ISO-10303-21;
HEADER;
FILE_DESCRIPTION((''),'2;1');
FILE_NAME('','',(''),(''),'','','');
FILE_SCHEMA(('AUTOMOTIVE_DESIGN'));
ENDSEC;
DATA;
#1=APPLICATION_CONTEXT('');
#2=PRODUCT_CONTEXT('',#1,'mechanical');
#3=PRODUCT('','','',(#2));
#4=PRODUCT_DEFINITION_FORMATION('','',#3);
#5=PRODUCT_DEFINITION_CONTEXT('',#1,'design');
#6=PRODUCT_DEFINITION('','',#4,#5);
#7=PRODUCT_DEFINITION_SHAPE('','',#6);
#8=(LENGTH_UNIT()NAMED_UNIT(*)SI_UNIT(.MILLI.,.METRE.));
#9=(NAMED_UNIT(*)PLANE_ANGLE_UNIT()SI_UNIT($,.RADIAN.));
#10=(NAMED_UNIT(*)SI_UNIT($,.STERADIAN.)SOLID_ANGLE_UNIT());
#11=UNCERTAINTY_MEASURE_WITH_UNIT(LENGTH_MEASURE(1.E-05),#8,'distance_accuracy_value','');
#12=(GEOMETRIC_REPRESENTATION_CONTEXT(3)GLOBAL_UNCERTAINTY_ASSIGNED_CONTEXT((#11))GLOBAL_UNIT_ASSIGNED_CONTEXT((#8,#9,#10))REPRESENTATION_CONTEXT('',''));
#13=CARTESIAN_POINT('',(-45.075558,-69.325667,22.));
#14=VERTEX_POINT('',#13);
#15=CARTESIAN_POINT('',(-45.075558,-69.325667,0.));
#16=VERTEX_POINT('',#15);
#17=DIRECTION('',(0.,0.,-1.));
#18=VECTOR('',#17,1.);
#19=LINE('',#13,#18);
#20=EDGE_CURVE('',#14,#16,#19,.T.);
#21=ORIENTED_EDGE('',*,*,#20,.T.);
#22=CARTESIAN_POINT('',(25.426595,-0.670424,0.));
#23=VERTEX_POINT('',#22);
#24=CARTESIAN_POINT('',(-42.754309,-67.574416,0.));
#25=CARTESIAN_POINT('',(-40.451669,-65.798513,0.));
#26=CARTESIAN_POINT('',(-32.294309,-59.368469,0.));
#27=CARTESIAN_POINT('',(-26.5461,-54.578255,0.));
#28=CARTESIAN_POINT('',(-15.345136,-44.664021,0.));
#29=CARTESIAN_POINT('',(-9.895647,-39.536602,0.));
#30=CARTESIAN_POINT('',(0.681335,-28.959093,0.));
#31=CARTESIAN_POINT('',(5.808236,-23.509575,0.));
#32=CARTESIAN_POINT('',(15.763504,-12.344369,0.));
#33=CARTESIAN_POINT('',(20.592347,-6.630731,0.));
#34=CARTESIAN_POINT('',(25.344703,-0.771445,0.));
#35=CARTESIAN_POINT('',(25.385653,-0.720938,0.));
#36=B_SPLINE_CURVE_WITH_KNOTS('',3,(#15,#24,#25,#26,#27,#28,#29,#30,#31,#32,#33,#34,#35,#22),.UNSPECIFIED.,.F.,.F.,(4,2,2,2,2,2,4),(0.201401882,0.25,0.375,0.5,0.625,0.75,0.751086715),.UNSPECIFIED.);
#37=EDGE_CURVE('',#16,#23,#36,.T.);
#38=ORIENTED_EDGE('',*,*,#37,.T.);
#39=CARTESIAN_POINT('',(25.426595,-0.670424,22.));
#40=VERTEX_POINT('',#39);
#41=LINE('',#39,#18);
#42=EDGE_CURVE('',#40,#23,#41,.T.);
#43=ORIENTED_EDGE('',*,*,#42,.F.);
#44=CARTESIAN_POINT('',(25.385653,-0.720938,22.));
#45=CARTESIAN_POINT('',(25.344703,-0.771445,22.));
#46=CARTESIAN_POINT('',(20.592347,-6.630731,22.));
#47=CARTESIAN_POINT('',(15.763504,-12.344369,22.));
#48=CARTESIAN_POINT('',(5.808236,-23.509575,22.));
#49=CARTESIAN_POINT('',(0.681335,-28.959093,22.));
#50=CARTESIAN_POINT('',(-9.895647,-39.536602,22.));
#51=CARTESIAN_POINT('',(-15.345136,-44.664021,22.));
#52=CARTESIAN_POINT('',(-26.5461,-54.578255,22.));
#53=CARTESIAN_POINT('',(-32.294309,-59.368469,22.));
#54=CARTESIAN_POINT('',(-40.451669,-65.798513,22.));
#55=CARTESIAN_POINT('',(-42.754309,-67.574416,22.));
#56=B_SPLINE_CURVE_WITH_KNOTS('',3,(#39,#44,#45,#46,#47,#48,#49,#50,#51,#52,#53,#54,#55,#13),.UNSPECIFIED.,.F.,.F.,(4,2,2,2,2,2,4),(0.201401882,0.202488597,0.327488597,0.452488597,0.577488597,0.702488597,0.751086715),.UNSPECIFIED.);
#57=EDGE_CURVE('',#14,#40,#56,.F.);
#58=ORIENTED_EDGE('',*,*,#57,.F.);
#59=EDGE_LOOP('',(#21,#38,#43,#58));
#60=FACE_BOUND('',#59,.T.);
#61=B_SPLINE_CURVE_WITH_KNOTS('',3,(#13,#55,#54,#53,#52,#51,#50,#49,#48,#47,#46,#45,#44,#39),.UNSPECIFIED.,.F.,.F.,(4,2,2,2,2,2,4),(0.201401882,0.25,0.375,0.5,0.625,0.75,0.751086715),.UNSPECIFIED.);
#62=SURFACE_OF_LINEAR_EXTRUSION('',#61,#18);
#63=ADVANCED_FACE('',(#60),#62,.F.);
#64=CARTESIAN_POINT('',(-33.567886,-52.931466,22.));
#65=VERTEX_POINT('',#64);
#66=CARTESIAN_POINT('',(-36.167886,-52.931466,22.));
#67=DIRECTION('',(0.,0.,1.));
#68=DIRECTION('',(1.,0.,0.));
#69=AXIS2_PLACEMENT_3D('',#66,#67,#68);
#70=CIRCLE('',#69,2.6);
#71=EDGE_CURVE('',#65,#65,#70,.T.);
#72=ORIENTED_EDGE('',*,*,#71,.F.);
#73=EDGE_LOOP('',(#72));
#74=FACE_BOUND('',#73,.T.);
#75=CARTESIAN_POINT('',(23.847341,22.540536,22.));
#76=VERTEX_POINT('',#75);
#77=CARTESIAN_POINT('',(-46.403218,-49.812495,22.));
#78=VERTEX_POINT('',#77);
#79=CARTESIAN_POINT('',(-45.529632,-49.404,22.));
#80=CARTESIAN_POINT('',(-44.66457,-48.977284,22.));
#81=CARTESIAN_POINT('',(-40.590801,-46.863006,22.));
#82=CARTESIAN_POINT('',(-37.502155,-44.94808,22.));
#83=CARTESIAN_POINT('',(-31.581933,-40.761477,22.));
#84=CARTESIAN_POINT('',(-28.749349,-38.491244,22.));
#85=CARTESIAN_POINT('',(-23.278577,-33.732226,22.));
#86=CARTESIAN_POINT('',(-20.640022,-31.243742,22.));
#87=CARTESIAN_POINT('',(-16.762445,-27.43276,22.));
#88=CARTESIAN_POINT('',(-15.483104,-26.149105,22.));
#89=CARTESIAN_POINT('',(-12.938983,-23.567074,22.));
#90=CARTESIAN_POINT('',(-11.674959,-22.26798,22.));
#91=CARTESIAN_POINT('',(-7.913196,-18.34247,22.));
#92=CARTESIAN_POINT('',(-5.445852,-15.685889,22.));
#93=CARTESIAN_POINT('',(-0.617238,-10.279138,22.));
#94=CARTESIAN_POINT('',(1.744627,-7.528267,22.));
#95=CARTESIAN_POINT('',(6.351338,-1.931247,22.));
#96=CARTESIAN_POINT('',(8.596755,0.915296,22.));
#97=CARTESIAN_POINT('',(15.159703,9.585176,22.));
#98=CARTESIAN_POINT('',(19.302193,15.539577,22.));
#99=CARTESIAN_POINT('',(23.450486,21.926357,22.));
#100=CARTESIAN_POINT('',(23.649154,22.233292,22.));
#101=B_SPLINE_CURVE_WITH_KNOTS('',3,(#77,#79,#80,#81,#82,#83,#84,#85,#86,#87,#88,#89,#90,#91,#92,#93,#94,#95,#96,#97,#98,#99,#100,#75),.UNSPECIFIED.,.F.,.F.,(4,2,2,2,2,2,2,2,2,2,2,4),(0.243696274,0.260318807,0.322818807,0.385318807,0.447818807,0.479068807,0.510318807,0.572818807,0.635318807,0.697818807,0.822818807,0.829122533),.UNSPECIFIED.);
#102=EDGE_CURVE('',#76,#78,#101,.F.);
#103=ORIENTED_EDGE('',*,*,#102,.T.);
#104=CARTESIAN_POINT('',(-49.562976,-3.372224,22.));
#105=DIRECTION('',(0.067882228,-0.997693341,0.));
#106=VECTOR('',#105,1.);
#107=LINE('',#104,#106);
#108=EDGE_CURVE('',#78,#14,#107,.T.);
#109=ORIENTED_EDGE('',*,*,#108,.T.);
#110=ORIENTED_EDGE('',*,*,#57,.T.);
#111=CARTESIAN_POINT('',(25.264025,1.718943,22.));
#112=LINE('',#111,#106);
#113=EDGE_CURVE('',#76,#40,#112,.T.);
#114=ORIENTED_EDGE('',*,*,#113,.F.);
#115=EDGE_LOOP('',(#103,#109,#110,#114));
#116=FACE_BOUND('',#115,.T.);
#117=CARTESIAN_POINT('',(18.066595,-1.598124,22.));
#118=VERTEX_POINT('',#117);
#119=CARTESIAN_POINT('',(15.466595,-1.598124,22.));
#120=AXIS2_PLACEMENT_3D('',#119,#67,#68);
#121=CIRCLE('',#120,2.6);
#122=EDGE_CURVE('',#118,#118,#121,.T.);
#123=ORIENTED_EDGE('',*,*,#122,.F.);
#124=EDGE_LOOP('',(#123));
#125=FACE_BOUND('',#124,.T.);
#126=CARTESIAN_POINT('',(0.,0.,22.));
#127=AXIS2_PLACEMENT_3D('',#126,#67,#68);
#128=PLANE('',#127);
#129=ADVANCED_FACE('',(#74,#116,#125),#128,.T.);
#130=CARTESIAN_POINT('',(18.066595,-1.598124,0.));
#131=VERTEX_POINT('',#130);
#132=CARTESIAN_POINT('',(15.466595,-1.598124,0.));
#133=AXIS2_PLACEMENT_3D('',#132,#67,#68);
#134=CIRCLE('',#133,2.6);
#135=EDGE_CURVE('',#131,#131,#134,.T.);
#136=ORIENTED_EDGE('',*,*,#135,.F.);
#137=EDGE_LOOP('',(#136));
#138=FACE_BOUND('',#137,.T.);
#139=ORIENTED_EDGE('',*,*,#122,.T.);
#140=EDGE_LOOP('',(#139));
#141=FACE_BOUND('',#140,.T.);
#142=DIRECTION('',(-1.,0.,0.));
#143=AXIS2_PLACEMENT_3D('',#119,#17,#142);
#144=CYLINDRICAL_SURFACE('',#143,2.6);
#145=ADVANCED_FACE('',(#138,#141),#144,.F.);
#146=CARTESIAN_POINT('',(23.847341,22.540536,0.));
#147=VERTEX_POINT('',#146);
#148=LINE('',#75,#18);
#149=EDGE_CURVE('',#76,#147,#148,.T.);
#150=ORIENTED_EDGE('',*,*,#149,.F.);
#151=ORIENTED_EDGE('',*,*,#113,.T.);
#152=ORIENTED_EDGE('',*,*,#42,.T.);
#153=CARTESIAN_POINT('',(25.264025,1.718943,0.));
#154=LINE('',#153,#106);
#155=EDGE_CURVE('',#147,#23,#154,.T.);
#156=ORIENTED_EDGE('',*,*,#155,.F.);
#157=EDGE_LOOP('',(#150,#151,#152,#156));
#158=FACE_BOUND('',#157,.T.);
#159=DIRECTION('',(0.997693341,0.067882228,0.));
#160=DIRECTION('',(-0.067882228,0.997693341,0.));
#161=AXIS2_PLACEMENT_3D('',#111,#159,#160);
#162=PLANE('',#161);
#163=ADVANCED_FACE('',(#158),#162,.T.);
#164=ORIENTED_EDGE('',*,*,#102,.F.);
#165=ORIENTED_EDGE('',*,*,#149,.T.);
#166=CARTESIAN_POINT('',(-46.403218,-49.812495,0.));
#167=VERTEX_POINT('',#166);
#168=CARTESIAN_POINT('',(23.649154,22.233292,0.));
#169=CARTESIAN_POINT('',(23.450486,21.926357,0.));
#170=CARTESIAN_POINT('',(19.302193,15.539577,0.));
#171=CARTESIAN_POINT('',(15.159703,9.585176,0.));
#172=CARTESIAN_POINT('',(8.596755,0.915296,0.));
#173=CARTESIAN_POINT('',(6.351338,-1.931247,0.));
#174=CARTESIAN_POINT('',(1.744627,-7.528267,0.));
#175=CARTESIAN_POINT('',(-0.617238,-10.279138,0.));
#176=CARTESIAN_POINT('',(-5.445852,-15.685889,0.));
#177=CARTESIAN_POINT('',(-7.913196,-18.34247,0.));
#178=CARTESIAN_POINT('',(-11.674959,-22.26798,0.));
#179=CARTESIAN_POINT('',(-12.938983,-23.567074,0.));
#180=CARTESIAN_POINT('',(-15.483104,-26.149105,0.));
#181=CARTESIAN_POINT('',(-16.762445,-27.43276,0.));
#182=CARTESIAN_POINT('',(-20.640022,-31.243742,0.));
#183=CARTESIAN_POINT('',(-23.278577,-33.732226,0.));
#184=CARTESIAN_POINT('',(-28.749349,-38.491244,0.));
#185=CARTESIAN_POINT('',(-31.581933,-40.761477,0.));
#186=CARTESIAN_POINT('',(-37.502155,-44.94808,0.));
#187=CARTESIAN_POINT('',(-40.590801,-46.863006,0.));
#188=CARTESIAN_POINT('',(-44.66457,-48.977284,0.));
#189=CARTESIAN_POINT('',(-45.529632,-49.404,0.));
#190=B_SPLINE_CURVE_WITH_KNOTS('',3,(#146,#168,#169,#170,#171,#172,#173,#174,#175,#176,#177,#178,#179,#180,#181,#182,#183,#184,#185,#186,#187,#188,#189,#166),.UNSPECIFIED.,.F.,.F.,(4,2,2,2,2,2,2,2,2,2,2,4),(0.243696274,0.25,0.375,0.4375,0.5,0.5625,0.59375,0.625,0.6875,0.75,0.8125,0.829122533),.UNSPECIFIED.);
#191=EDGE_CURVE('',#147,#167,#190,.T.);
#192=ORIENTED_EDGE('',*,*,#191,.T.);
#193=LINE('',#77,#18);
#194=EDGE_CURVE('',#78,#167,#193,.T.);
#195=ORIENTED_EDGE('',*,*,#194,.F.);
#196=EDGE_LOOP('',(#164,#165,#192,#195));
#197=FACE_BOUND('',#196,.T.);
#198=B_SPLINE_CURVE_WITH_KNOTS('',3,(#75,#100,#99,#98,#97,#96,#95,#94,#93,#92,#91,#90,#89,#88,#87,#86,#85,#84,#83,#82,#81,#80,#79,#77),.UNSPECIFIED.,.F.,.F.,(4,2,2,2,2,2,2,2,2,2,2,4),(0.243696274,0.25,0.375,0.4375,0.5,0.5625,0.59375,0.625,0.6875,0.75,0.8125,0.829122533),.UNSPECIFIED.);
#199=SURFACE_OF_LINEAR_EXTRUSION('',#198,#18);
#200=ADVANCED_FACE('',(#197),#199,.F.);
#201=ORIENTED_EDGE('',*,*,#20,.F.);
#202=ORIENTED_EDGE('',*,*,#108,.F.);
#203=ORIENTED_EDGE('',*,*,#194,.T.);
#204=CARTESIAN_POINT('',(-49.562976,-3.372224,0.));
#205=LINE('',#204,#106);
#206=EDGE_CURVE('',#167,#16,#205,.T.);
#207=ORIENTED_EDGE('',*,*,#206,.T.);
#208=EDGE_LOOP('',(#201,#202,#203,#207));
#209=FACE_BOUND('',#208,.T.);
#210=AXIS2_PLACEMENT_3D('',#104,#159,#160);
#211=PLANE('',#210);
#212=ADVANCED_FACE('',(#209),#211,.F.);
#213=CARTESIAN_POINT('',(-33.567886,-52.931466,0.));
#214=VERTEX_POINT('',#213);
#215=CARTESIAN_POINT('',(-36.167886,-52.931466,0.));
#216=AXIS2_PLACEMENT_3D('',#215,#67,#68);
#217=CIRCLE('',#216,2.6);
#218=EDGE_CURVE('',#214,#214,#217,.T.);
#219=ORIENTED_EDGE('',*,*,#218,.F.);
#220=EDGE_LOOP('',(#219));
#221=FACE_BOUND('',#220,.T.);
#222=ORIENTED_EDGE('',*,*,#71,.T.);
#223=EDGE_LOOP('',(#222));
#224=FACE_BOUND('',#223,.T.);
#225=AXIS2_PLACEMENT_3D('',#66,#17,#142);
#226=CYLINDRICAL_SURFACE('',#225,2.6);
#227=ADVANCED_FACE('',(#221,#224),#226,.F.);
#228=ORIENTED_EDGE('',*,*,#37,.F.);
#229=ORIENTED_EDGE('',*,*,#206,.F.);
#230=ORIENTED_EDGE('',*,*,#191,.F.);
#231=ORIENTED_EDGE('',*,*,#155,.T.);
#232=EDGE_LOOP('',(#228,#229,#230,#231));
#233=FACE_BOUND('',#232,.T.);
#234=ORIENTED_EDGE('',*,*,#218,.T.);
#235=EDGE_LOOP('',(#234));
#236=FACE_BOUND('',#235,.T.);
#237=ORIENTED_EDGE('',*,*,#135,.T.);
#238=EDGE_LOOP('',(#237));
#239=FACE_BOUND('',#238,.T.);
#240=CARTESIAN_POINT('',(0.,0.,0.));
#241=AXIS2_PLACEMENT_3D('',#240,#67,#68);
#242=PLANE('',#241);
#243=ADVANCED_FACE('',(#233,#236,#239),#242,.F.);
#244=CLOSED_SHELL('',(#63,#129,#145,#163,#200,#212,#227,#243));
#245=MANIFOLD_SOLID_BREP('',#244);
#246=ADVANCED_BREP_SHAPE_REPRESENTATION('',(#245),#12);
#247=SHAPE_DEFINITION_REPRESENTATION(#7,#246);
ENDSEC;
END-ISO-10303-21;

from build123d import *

# Parameters (mm, degrees)
SKETCH_1_R      = 2.6
EXTRUDE_1_DEPTH = 22


with BuildPart() as part:
    # 草图1 → 凸台-拉伸1 (new body)
    with BuildSketch(Plane.XY):
        with BuildLine():
            Line((23.847340939, 22.540535696), (25.426595378, -0.670423871))
            add(Edge.make_bspline(
                [(-45.075558205, -69.325666874), (-42.754308832, -67.574416213), (-40.451669282, -65.798512541), (-32.294309234, -59.368468615), (-26.546100007, -54.578255108), (-15.345136182, -44.664021117), (-9.895646996, -39.536602487), (0.681335287, -28.95909339), (5.808236447, -23.509575428), (15.763503709, -12.344368812), (20.592346629, -6.630730984), (25.344702666, -0.771444989), (25.385653413, -0.720937959), (25.426595378, -0.670423871)],
                knots=[0.201401882, 0.201401882, 0.201401882, 0.201401882, 0.25, 0.25, 0.375, 0.375, 0.5, 0.5, 0.625, 0.625, 0.75, 0.75, 0.751086715, 0.751086715, 0.751086715, 0.751086715], degree=3))
            Line((-45.075558205, -69.325666874), (-46.403218206, -49.812495445))
            add(Edge.make_bspline(
                [(23.847340939, 22.540535696), (23.64915353, 22.233291982), (23.450485571, 21.926356885), (19.302193238, 15.53957719), (15.159702589, 9.585176101), (8.596754946, 0.915295883), (6.3513379, -1.931247492), (1.744627248, -7.528266651), (-0.617237974, -10.279137899), (-5.445852464, -15.685888726), (-7.913195994, -18.342470215), (-11.674958808, -22.267979722), (-12.938982587, -23.567073503), (-15.483103595, -26.149104874), (-16.762445153, -27.432760042), (-20.640021965, -31.243741747), (-23.278577451, -33.732226441), (-28.749348744, -38.491244165), (-31.58193298, -40.761476786), (-37.50215526, -44.948079537), (-40.590801141, -46.863006315), (-44.66457019, -48.977283832), (-45.52963212, -49.403999667), (-46.403218206, -49.812495445)],
                knots=[0.243696274, 0.243696274, 0.243696274, 0.243696274, 0.25, 0.25, 0.375, 0.375, 0.4375, 0.4375, 0.5, 0.5, 0.5625, 0.5625, 0.59375, 0.59375, 0.625, 0.625, 0.6875, 0.6875, 0.75, 0.75, 0.8125, 0.8125, 0.829122533, 0.829122533, 0.829122533, 0.829122533], degree=3))
        make_face()
        with Locations((-36.167886121, -52.931465967)):
            Circle(SKETCH_1_R, mode=Mode.SUBTRACT)
        with Locations((15.466595378, -1.598123556)):
            Circle(SKETCH_1_R, mode=Mode.SUBTRACT)
    extrude(amount=EXTRUDE_1_DEPTH)


solid = part.part
